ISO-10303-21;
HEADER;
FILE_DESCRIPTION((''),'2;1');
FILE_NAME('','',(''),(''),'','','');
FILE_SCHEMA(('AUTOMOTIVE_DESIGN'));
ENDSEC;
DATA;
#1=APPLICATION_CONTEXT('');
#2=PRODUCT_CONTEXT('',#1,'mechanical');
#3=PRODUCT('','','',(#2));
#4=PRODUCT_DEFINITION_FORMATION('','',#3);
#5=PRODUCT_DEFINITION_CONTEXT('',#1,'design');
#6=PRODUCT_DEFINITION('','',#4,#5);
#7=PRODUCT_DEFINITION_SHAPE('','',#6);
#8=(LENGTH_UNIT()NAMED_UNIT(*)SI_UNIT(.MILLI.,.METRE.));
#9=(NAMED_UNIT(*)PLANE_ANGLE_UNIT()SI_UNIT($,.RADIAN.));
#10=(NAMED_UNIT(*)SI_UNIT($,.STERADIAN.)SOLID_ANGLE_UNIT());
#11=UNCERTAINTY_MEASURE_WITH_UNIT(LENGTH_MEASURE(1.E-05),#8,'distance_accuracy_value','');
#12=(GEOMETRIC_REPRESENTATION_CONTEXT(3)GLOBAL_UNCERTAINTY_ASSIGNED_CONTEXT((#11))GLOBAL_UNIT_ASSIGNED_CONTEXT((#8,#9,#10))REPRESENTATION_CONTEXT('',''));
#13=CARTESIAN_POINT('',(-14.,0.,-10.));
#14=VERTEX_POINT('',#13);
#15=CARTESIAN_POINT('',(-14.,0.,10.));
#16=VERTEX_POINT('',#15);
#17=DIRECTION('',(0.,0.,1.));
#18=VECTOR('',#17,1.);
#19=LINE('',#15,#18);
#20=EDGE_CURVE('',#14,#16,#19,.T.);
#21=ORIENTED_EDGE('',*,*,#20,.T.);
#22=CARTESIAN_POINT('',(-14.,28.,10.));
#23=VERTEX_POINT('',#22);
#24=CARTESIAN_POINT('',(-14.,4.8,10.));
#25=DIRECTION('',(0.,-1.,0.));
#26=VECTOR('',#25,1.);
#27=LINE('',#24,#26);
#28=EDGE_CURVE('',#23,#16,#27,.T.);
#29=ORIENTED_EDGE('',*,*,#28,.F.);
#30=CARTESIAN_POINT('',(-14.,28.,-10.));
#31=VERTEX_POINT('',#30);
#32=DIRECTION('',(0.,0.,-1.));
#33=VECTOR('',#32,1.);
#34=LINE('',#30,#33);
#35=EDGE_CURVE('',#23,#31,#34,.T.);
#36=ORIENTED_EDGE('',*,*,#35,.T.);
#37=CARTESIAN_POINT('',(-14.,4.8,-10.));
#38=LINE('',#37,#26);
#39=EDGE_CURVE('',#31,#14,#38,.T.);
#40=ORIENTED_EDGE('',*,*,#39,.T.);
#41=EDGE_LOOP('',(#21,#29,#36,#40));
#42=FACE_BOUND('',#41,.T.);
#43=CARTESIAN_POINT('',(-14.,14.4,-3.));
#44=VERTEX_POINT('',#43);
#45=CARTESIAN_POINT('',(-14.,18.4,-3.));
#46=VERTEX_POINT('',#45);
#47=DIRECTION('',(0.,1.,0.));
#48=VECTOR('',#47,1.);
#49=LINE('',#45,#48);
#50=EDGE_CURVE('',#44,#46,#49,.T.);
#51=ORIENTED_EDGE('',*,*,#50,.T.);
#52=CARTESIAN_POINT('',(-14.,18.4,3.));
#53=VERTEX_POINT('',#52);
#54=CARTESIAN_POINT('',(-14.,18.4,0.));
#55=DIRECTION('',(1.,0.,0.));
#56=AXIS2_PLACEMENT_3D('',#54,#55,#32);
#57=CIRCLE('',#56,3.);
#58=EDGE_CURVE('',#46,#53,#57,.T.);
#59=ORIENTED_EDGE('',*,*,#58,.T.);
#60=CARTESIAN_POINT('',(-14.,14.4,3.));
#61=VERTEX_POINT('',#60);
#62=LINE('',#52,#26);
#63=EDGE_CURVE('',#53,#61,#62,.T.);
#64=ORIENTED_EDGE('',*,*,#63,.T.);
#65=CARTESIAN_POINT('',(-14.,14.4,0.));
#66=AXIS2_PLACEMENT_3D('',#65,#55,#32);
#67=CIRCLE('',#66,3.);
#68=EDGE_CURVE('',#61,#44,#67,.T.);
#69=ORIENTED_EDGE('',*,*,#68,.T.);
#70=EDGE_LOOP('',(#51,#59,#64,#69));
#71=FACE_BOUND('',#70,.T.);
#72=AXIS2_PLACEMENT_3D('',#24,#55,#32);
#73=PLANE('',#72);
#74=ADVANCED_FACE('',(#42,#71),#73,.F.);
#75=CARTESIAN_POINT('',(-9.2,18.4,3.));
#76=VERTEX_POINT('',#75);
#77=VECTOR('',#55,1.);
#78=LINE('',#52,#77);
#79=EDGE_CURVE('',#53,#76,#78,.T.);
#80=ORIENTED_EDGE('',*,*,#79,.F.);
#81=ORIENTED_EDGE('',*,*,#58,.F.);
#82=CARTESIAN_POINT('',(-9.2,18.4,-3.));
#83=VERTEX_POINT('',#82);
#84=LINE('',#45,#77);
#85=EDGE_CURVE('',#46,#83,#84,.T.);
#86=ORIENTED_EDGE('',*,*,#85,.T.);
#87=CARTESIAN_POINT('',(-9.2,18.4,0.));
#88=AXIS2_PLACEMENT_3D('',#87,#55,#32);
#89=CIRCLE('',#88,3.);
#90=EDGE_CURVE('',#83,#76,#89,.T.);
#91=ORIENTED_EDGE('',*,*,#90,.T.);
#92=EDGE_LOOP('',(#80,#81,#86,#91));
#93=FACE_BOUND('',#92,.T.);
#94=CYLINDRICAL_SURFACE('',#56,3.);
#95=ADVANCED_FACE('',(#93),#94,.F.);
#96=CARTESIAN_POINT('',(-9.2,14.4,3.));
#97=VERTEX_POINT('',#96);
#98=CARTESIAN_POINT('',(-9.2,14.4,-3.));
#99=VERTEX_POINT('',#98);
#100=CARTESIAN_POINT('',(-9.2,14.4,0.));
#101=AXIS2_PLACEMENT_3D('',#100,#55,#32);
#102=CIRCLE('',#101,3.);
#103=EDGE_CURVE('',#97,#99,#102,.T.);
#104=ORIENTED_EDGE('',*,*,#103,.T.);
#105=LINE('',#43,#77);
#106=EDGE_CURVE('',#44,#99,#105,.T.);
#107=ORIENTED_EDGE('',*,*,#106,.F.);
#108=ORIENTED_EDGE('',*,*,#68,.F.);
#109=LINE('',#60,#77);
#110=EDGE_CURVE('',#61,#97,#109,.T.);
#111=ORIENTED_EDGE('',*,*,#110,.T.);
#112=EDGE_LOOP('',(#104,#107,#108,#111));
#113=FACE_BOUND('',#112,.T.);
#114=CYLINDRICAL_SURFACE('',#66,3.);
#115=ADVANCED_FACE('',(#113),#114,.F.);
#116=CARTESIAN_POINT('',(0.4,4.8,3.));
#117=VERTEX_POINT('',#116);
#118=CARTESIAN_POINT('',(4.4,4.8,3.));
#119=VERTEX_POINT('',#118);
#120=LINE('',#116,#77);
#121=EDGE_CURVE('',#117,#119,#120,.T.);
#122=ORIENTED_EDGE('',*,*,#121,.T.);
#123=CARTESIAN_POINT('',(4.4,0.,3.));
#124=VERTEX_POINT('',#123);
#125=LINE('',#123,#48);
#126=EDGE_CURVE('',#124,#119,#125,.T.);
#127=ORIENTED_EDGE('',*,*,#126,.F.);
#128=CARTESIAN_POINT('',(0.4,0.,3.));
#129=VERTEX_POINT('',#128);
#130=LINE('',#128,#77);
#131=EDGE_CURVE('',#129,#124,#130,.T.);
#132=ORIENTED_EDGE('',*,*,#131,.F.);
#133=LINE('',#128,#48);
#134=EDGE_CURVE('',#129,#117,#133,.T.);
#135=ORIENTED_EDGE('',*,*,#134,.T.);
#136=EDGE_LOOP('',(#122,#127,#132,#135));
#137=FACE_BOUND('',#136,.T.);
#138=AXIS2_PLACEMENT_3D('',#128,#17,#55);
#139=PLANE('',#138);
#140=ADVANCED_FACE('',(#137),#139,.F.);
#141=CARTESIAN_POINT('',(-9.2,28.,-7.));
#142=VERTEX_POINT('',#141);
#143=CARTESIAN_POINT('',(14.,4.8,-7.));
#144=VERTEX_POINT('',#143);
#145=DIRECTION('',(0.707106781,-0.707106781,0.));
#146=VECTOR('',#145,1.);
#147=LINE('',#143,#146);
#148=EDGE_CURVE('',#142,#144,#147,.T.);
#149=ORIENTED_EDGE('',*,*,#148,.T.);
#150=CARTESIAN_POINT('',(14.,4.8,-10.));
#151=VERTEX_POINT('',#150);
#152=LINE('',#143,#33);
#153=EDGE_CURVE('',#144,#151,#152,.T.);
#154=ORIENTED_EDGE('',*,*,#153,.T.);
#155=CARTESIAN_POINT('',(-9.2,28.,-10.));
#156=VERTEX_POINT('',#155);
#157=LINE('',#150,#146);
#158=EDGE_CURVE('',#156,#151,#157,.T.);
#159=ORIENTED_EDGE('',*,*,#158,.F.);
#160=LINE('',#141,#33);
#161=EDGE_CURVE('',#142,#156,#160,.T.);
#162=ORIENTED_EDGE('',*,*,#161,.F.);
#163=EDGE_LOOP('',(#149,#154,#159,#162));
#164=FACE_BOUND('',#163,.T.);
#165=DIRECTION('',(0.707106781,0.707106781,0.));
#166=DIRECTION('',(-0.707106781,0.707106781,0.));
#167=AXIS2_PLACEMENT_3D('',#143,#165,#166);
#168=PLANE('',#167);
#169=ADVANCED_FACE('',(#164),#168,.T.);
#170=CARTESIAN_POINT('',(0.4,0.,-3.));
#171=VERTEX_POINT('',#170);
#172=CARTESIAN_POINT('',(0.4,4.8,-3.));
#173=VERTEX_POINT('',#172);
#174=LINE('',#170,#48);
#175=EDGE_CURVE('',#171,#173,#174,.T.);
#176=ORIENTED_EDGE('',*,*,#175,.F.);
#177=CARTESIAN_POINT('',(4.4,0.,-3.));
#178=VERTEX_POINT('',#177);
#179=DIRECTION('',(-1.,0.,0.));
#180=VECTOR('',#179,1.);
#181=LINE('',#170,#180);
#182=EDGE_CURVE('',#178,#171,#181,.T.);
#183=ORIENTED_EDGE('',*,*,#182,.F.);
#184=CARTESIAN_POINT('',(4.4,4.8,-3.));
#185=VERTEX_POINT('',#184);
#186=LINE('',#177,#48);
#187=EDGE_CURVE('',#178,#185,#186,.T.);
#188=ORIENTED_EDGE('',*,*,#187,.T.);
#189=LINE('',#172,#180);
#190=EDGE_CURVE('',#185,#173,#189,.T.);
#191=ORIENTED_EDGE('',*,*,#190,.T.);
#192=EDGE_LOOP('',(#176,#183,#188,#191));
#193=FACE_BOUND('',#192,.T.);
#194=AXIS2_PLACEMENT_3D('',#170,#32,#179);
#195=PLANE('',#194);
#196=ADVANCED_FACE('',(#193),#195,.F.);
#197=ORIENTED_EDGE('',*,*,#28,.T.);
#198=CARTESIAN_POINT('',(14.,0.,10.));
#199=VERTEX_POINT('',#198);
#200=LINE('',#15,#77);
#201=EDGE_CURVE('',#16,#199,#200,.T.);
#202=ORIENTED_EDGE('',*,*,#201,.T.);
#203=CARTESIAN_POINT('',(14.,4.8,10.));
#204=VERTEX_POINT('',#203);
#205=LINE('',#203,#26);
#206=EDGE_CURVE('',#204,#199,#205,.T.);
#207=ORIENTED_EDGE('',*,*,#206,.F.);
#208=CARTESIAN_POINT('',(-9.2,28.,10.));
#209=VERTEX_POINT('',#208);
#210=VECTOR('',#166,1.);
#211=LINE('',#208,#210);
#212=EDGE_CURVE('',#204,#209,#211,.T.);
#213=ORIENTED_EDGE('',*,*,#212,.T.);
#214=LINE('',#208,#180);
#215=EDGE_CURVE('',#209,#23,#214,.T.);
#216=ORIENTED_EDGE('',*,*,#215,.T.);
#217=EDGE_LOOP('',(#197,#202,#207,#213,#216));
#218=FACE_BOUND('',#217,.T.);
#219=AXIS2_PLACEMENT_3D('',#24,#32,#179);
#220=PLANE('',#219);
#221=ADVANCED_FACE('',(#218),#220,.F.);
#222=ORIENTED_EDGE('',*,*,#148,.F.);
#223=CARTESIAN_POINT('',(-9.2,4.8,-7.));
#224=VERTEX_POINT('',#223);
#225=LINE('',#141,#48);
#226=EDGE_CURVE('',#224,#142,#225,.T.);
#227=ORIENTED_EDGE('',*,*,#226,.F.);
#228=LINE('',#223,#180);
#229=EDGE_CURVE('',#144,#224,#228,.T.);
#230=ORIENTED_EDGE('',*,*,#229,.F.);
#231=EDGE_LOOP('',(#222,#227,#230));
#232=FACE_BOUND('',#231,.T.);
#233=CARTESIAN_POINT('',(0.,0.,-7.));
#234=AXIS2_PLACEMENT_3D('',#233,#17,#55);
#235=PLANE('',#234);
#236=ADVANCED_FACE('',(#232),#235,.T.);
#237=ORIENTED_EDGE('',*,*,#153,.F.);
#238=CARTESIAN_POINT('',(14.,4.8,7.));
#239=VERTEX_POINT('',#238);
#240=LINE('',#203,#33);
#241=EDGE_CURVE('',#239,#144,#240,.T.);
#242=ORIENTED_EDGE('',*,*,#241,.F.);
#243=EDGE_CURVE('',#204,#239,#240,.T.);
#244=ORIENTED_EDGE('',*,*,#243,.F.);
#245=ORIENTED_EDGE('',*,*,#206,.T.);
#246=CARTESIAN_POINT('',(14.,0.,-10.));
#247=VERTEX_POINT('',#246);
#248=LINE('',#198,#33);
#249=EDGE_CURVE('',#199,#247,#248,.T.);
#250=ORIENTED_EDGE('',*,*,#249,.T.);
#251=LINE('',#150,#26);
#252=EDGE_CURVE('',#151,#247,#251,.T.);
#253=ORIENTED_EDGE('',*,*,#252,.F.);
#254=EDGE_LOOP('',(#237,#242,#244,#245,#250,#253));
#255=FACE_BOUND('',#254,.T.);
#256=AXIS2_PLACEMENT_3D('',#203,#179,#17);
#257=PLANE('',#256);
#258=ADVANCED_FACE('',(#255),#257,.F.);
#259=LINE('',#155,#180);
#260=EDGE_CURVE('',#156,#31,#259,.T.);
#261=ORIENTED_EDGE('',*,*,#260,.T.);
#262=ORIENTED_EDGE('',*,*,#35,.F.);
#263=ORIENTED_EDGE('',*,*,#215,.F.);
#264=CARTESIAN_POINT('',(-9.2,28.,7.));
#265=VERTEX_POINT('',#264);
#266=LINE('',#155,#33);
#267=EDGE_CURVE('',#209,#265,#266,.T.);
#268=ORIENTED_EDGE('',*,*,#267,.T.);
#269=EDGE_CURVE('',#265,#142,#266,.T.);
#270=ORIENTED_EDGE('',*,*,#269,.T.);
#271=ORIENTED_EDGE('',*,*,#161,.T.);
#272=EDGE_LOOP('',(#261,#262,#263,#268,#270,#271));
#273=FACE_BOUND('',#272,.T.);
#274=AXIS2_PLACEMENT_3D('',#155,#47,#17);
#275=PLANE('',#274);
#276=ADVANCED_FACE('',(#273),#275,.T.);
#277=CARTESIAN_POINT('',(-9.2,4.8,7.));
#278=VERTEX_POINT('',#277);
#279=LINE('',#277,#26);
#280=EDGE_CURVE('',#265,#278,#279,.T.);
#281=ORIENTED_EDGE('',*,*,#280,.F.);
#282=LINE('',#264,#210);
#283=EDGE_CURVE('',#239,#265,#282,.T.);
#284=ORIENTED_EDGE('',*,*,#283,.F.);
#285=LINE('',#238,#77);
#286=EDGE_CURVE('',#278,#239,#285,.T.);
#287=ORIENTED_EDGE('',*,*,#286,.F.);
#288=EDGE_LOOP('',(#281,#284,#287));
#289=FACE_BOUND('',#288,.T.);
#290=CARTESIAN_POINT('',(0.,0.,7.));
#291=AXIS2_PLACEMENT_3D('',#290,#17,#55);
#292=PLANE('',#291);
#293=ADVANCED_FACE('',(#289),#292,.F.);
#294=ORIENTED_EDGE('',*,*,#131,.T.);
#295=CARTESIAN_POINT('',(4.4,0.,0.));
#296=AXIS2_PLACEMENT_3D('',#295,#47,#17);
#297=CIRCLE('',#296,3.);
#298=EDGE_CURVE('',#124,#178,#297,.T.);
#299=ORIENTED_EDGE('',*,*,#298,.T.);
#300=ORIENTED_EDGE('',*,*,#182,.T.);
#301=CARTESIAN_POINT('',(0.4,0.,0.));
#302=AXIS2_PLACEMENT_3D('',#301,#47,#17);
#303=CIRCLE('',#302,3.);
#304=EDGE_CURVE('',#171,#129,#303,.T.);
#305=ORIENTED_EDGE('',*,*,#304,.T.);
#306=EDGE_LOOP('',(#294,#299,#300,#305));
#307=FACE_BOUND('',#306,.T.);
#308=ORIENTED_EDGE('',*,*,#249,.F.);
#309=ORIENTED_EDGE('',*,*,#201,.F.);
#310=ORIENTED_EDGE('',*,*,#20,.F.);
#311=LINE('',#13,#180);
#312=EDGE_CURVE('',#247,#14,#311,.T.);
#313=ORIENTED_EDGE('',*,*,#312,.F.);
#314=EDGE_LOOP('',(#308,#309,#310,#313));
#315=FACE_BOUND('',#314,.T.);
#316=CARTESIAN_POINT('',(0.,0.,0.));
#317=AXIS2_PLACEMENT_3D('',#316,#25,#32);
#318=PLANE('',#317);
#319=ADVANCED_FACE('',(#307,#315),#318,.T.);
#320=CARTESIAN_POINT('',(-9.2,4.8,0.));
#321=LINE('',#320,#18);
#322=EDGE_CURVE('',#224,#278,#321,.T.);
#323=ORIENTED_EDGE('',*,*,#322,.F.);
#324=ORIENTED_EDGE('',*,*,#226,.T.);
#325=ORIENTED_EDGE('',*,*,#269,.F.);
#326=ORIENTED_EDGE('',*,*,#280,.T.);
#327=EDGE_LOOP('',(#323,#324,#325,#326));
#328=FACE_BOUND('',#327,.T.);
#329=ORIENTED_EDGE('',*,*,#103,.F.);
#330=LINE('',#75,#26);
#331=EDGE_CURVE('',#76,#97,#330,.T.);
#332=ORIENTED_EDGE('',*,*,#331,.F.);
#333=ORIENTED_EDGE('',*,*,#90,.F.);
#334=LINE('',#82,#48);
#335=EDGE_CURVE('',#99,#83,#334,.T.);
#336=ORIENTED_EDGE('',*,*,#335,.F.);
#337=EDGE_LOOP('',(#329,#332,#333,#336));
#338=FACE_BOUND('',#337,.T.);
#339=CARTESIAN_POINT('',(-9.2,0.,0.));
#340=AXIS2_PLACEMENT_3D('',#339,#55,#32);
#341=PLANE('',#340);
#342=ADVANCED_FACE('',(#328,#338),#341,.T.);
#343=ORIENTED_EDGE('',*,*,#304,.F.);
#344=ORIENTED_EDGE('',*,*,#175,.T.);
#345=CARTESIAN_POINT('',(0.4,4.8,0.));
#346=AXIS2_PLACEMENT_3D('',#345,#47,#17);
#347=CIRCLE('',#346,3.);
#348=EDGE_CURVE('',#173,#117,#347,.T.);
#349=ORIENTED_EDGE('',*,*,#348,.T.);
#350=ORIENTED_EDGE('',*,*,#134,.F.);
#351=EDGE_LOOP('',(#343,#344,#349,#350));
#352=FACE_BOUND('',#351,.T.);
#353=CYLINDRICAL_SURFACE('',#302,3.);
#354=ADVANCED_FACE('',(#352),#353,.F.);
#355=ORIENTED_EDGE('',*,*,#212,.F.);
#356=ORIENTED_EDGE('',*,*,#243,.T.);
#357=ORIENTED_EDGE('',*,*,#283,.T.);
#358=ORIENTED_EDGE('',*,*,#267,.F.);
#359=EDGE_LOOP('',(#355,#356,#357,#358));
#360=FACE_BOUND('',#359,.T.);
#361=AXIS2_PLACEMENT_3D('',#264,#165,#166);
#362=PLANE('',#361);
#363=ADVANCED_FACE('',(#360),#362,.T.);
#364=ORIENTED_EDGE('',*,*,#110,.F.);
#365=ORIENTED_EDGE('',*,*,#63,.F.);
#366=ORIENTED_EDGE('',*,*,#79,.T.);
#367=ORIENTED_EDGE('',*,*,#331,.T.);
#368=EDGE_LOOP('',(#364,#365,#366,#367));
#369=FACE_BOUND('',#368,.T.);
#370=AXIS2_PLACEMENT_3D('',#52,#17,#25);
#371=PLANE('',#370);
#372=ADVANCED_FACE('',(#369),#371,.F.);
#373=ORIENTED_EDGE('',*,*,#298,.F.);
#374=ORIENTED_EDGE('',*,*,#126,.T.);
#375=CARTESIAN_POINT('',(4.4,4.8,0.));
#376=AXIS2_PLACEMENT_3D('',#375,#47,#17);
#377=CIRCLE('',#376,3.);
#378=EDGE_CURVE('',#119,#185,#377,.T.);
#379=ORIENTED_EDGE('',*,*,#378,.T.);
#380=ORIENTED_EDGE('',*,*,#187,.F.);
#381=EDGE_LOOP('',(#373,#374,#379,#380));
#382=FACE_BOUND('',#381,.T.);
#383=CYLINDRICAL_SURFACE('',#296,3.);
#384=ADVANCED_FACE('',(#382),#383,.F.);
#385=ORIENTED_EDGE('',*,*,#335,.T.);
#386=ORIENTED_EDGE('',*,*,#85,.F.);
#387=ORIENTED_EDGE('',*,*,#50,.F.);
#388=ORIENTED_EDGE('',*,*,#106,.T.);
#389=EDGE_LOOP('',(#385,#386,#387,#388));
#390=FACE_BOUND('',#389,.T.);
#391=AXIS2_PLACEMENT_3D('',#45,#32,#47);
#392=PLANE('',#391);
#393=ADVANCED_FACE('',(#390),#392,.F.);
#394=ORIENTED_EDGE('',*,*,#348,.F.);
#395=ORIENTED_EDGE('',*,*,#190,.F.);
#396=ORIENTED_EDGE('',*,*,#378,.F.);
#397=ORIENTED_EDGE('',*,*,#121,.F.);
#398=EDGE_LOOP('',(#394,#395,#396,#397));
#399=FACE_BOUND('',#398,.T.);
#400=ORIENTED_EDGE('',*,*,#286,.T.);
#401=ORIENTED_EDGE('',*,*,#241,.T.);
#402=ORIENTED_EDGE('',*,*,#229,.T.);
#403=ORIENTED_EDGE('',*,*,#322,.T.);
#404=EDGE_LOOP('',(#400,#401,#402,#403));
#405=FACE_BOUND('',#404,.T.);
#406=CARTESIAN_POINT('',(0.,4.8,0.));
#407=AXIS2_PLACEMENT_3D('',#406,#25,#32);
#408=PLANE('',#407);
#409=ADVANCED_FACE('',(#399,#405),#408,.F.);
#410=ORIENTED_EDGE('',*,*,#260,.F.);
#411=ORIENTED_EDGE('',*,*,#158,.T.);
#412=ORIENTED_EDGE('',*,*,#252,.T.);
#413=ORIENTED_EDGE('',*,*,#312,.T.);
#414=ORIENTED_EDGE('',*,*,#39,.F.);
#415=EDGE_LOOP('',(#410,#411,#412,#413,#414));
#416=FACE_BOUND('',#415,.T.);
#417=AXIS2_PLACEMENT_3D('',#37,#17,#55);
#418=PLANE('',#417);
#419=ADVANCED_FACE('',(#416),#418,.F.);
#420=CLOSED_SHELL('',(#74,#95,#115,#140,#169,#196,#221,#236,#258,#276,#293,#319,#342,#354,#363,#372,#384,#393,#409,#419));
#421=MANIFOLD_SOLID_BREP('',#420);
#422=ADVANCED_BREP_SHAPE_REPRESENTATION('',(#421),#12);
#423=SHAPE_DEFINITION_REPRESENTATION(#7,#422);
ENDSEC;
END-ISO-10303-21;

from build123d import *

# Parameters (mm, degrees)
SKETCH1_W           = 28
SKETCH1_H           = 20
BOSS_EXTRUDE1_DEPTH = 4.8
SKETCH2_W           = 20
SKETCH2_H           = 28
BOSS_EXTRUDE2_DEPTH = 4.8
CUT_EXTRUDE1_DEPTH  = 5.8
CUT_EXTRUDE2_DEPTH  = 5.8
BOSS_EXTRUDE3_DEPTH = 3
BOSS_EXTRUDE4_DEPTH = 3


with BuildPart() as part:
    # Sketch1 → Boss-Extrude1 (new body)
    with BuildSketch(Plane(origin=(0, 0, 0), x_dir=(1, 0, 0), z_dir=(0, 1, 0))):
        Rectangle(SKETCH1_W, SKETCH1_H)
    extrude(amount=BOSS_EXTRUDE1_DEPTH)

    # Sketch2 → Boss-Extrude2 (add)
    with BuildSketch(Plane.ZY.offset(14)):
        with Locations((0, 14)):
            Rectangle(SKETCH2_W, SKETCH2_H)
    extrude(amount=-BOSS_EXTRUDE2_DEPTH)

    # Sketch3 → Cut-Extrude1 (cut, through all)
    with BuildSketch(Plane(origin=(-9.2, 0, 0), x_dir=(0, 0, -1), z_dir=(1, 0, 0))):
        with BuildLine():
            Line((3, 18.4), (3, 14.4))
            ThreePointArc((3, 14.4), (0, 11.4), (-3, 14.4))
            Line((-3, 14.4), (-3, 18.4))
            ThreePointArc((-3, 18.4), (0, 21.4), (3, 18.4))
        make_face()
    extrude(amount=-CUT_EXTRUDE1_DEPTH, mode=Mode.SUBTRACT)

    # Sketch4 → Cut-Extrude2 (cut, through all)
    with BuildSketch(Plane(origin=(0, 4.8, 0), x_dir=(1, 0, 0), z_dir=(0, 1, 0))):
        with BuildLine():
            Line((0.4, 3), (4.4, 3))
            ThreePointArc((4.4, 3), (7.4, 0), (4.4, -3))
            Line((4.4, -3), (0.4, -3))
            ThreePointArc((0.4, -3), (-2.6, 0), (0.4, 3))
        make_face()
    extrude(amount=-CUT_EXTRUDE2_DEPTH, mode=Mode.SUBTRACT)

    # Sketch5 → Boss-Extrude3 (add)
    with BuildSketch(Plane.XY.offset(10)):
        Polygon((-9.2, 28), (14, 4.8), (-9.2, 4.8), align=None)
    extrude(amount=-BOSS_EXTRUDE3_DEPTH)

    # Sketch6 → Boss-Extrude4 (add)
    with BuildSketch(Plane(origin=(0, 0, -10), x_dir=(-1, 0, 0), z_dir=(0, 0, -1))):
        Polygon((9.2, 28), (9.2, 4.8), (-14, 4.8), align=None)
    extrude(amount=-BOSS_EXTRUDE4_DEPTH)


solid = part.part
